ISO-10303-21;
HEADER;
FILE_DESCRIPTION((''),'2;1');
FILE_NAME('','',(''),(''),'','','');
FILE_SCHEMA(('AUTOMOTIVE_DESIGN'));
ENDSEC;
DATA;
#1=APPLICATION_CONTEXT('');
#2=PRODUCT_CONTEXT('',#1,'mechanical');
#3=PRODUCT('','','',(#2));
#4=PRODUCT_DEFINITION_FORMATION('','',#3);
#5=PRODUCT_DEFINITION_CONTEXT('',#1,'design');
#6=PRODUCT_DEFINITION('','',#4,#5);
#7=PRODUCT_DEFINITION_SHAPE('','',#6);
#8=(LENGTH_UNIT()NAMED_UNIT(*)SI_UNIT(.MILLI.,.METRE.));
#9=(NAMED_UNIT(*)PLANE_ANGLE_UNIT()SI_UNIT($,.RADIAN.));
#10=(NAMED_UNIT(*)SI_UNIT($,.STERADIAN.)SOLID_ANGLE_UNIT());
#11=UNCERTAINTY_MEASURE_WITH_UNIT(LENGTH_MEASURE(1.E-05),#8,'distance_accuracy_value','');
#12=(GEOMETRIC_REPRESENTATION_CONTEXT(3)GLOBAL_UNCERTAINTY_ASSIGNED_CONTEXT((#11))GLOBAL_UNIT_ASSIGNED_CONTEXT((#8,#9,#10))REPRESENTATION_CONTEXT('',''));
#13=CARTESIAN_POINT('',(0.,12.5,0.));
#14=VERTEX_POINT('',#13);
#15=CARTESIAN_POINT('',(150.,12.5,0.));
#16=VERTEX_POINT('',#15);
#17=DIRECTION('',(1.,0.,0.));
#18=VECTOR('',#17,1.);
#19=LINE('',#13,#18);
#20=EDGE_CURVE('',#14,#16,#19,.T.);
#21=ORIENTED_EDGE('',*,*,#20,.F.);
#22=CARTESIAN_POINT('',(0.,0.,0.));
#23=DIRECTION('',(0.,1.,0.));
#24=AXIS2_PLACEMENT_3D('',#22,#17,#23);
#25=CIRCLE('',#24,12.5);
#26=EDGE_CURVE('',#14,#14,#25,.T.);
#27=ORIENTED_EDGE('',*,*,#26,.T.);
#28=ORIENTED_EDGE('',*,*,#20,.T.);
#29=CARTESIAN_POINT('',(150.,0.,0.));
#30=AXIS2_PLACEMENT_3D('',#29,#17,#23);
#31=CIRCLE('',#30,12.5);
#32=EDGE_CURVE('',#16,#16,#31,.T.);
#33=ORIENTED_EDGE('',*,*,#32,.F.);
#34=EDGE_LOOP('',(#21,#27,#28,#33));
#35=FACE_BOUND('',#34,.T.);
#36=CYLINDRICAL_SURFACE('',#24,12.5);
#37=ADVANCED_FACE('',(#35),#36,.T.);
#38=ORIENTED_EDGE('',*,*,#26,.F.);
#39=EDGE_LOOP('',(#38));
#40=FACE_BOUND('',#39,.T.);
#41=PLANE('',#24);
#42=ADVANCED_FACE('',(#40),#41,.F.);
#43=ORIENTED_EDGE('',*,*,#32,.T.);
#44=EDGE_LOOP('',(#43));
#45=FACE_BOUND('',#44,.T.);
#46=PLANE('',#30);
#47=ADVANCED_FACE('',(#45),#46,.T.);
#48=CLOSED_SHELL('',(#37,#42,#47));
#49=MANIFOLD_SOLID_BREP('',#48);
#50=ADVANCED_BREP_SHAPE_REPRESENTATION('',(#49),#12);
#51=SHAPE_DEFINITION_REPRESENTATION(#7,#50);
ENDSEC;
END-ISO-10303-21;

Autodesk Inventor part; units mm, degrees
ref_plane "Plan de départ" through (0, 0, 0) normal (1, 0, 0) x (0, 1, 0)
ref_plane "XY Plane" through (0, 0, 0) normal (0, 0, 1) x (1, 0, 0)
sketch "Esquisse principale" plane through (0, 0, 0) normal (0, 0, 1) x (1, 0, 0)
  line L0 (0, 0) -> (150, 0)
  line L1 (0, 0) -> (0, 12.5)
  line L2 (150, 12.5) -> (150, 0)
  line L3 (0, 12.5) -> (150, 12.5)
  dimension "d3" = 25
revolve "Révolution1" add sketch "Esquisse principale" angle 360 about axis through (0, 0, 0) along (1, 0, 0)
equation "\"Length\" = 150"
properties part number "ArbrePoulie" material "Steel"
